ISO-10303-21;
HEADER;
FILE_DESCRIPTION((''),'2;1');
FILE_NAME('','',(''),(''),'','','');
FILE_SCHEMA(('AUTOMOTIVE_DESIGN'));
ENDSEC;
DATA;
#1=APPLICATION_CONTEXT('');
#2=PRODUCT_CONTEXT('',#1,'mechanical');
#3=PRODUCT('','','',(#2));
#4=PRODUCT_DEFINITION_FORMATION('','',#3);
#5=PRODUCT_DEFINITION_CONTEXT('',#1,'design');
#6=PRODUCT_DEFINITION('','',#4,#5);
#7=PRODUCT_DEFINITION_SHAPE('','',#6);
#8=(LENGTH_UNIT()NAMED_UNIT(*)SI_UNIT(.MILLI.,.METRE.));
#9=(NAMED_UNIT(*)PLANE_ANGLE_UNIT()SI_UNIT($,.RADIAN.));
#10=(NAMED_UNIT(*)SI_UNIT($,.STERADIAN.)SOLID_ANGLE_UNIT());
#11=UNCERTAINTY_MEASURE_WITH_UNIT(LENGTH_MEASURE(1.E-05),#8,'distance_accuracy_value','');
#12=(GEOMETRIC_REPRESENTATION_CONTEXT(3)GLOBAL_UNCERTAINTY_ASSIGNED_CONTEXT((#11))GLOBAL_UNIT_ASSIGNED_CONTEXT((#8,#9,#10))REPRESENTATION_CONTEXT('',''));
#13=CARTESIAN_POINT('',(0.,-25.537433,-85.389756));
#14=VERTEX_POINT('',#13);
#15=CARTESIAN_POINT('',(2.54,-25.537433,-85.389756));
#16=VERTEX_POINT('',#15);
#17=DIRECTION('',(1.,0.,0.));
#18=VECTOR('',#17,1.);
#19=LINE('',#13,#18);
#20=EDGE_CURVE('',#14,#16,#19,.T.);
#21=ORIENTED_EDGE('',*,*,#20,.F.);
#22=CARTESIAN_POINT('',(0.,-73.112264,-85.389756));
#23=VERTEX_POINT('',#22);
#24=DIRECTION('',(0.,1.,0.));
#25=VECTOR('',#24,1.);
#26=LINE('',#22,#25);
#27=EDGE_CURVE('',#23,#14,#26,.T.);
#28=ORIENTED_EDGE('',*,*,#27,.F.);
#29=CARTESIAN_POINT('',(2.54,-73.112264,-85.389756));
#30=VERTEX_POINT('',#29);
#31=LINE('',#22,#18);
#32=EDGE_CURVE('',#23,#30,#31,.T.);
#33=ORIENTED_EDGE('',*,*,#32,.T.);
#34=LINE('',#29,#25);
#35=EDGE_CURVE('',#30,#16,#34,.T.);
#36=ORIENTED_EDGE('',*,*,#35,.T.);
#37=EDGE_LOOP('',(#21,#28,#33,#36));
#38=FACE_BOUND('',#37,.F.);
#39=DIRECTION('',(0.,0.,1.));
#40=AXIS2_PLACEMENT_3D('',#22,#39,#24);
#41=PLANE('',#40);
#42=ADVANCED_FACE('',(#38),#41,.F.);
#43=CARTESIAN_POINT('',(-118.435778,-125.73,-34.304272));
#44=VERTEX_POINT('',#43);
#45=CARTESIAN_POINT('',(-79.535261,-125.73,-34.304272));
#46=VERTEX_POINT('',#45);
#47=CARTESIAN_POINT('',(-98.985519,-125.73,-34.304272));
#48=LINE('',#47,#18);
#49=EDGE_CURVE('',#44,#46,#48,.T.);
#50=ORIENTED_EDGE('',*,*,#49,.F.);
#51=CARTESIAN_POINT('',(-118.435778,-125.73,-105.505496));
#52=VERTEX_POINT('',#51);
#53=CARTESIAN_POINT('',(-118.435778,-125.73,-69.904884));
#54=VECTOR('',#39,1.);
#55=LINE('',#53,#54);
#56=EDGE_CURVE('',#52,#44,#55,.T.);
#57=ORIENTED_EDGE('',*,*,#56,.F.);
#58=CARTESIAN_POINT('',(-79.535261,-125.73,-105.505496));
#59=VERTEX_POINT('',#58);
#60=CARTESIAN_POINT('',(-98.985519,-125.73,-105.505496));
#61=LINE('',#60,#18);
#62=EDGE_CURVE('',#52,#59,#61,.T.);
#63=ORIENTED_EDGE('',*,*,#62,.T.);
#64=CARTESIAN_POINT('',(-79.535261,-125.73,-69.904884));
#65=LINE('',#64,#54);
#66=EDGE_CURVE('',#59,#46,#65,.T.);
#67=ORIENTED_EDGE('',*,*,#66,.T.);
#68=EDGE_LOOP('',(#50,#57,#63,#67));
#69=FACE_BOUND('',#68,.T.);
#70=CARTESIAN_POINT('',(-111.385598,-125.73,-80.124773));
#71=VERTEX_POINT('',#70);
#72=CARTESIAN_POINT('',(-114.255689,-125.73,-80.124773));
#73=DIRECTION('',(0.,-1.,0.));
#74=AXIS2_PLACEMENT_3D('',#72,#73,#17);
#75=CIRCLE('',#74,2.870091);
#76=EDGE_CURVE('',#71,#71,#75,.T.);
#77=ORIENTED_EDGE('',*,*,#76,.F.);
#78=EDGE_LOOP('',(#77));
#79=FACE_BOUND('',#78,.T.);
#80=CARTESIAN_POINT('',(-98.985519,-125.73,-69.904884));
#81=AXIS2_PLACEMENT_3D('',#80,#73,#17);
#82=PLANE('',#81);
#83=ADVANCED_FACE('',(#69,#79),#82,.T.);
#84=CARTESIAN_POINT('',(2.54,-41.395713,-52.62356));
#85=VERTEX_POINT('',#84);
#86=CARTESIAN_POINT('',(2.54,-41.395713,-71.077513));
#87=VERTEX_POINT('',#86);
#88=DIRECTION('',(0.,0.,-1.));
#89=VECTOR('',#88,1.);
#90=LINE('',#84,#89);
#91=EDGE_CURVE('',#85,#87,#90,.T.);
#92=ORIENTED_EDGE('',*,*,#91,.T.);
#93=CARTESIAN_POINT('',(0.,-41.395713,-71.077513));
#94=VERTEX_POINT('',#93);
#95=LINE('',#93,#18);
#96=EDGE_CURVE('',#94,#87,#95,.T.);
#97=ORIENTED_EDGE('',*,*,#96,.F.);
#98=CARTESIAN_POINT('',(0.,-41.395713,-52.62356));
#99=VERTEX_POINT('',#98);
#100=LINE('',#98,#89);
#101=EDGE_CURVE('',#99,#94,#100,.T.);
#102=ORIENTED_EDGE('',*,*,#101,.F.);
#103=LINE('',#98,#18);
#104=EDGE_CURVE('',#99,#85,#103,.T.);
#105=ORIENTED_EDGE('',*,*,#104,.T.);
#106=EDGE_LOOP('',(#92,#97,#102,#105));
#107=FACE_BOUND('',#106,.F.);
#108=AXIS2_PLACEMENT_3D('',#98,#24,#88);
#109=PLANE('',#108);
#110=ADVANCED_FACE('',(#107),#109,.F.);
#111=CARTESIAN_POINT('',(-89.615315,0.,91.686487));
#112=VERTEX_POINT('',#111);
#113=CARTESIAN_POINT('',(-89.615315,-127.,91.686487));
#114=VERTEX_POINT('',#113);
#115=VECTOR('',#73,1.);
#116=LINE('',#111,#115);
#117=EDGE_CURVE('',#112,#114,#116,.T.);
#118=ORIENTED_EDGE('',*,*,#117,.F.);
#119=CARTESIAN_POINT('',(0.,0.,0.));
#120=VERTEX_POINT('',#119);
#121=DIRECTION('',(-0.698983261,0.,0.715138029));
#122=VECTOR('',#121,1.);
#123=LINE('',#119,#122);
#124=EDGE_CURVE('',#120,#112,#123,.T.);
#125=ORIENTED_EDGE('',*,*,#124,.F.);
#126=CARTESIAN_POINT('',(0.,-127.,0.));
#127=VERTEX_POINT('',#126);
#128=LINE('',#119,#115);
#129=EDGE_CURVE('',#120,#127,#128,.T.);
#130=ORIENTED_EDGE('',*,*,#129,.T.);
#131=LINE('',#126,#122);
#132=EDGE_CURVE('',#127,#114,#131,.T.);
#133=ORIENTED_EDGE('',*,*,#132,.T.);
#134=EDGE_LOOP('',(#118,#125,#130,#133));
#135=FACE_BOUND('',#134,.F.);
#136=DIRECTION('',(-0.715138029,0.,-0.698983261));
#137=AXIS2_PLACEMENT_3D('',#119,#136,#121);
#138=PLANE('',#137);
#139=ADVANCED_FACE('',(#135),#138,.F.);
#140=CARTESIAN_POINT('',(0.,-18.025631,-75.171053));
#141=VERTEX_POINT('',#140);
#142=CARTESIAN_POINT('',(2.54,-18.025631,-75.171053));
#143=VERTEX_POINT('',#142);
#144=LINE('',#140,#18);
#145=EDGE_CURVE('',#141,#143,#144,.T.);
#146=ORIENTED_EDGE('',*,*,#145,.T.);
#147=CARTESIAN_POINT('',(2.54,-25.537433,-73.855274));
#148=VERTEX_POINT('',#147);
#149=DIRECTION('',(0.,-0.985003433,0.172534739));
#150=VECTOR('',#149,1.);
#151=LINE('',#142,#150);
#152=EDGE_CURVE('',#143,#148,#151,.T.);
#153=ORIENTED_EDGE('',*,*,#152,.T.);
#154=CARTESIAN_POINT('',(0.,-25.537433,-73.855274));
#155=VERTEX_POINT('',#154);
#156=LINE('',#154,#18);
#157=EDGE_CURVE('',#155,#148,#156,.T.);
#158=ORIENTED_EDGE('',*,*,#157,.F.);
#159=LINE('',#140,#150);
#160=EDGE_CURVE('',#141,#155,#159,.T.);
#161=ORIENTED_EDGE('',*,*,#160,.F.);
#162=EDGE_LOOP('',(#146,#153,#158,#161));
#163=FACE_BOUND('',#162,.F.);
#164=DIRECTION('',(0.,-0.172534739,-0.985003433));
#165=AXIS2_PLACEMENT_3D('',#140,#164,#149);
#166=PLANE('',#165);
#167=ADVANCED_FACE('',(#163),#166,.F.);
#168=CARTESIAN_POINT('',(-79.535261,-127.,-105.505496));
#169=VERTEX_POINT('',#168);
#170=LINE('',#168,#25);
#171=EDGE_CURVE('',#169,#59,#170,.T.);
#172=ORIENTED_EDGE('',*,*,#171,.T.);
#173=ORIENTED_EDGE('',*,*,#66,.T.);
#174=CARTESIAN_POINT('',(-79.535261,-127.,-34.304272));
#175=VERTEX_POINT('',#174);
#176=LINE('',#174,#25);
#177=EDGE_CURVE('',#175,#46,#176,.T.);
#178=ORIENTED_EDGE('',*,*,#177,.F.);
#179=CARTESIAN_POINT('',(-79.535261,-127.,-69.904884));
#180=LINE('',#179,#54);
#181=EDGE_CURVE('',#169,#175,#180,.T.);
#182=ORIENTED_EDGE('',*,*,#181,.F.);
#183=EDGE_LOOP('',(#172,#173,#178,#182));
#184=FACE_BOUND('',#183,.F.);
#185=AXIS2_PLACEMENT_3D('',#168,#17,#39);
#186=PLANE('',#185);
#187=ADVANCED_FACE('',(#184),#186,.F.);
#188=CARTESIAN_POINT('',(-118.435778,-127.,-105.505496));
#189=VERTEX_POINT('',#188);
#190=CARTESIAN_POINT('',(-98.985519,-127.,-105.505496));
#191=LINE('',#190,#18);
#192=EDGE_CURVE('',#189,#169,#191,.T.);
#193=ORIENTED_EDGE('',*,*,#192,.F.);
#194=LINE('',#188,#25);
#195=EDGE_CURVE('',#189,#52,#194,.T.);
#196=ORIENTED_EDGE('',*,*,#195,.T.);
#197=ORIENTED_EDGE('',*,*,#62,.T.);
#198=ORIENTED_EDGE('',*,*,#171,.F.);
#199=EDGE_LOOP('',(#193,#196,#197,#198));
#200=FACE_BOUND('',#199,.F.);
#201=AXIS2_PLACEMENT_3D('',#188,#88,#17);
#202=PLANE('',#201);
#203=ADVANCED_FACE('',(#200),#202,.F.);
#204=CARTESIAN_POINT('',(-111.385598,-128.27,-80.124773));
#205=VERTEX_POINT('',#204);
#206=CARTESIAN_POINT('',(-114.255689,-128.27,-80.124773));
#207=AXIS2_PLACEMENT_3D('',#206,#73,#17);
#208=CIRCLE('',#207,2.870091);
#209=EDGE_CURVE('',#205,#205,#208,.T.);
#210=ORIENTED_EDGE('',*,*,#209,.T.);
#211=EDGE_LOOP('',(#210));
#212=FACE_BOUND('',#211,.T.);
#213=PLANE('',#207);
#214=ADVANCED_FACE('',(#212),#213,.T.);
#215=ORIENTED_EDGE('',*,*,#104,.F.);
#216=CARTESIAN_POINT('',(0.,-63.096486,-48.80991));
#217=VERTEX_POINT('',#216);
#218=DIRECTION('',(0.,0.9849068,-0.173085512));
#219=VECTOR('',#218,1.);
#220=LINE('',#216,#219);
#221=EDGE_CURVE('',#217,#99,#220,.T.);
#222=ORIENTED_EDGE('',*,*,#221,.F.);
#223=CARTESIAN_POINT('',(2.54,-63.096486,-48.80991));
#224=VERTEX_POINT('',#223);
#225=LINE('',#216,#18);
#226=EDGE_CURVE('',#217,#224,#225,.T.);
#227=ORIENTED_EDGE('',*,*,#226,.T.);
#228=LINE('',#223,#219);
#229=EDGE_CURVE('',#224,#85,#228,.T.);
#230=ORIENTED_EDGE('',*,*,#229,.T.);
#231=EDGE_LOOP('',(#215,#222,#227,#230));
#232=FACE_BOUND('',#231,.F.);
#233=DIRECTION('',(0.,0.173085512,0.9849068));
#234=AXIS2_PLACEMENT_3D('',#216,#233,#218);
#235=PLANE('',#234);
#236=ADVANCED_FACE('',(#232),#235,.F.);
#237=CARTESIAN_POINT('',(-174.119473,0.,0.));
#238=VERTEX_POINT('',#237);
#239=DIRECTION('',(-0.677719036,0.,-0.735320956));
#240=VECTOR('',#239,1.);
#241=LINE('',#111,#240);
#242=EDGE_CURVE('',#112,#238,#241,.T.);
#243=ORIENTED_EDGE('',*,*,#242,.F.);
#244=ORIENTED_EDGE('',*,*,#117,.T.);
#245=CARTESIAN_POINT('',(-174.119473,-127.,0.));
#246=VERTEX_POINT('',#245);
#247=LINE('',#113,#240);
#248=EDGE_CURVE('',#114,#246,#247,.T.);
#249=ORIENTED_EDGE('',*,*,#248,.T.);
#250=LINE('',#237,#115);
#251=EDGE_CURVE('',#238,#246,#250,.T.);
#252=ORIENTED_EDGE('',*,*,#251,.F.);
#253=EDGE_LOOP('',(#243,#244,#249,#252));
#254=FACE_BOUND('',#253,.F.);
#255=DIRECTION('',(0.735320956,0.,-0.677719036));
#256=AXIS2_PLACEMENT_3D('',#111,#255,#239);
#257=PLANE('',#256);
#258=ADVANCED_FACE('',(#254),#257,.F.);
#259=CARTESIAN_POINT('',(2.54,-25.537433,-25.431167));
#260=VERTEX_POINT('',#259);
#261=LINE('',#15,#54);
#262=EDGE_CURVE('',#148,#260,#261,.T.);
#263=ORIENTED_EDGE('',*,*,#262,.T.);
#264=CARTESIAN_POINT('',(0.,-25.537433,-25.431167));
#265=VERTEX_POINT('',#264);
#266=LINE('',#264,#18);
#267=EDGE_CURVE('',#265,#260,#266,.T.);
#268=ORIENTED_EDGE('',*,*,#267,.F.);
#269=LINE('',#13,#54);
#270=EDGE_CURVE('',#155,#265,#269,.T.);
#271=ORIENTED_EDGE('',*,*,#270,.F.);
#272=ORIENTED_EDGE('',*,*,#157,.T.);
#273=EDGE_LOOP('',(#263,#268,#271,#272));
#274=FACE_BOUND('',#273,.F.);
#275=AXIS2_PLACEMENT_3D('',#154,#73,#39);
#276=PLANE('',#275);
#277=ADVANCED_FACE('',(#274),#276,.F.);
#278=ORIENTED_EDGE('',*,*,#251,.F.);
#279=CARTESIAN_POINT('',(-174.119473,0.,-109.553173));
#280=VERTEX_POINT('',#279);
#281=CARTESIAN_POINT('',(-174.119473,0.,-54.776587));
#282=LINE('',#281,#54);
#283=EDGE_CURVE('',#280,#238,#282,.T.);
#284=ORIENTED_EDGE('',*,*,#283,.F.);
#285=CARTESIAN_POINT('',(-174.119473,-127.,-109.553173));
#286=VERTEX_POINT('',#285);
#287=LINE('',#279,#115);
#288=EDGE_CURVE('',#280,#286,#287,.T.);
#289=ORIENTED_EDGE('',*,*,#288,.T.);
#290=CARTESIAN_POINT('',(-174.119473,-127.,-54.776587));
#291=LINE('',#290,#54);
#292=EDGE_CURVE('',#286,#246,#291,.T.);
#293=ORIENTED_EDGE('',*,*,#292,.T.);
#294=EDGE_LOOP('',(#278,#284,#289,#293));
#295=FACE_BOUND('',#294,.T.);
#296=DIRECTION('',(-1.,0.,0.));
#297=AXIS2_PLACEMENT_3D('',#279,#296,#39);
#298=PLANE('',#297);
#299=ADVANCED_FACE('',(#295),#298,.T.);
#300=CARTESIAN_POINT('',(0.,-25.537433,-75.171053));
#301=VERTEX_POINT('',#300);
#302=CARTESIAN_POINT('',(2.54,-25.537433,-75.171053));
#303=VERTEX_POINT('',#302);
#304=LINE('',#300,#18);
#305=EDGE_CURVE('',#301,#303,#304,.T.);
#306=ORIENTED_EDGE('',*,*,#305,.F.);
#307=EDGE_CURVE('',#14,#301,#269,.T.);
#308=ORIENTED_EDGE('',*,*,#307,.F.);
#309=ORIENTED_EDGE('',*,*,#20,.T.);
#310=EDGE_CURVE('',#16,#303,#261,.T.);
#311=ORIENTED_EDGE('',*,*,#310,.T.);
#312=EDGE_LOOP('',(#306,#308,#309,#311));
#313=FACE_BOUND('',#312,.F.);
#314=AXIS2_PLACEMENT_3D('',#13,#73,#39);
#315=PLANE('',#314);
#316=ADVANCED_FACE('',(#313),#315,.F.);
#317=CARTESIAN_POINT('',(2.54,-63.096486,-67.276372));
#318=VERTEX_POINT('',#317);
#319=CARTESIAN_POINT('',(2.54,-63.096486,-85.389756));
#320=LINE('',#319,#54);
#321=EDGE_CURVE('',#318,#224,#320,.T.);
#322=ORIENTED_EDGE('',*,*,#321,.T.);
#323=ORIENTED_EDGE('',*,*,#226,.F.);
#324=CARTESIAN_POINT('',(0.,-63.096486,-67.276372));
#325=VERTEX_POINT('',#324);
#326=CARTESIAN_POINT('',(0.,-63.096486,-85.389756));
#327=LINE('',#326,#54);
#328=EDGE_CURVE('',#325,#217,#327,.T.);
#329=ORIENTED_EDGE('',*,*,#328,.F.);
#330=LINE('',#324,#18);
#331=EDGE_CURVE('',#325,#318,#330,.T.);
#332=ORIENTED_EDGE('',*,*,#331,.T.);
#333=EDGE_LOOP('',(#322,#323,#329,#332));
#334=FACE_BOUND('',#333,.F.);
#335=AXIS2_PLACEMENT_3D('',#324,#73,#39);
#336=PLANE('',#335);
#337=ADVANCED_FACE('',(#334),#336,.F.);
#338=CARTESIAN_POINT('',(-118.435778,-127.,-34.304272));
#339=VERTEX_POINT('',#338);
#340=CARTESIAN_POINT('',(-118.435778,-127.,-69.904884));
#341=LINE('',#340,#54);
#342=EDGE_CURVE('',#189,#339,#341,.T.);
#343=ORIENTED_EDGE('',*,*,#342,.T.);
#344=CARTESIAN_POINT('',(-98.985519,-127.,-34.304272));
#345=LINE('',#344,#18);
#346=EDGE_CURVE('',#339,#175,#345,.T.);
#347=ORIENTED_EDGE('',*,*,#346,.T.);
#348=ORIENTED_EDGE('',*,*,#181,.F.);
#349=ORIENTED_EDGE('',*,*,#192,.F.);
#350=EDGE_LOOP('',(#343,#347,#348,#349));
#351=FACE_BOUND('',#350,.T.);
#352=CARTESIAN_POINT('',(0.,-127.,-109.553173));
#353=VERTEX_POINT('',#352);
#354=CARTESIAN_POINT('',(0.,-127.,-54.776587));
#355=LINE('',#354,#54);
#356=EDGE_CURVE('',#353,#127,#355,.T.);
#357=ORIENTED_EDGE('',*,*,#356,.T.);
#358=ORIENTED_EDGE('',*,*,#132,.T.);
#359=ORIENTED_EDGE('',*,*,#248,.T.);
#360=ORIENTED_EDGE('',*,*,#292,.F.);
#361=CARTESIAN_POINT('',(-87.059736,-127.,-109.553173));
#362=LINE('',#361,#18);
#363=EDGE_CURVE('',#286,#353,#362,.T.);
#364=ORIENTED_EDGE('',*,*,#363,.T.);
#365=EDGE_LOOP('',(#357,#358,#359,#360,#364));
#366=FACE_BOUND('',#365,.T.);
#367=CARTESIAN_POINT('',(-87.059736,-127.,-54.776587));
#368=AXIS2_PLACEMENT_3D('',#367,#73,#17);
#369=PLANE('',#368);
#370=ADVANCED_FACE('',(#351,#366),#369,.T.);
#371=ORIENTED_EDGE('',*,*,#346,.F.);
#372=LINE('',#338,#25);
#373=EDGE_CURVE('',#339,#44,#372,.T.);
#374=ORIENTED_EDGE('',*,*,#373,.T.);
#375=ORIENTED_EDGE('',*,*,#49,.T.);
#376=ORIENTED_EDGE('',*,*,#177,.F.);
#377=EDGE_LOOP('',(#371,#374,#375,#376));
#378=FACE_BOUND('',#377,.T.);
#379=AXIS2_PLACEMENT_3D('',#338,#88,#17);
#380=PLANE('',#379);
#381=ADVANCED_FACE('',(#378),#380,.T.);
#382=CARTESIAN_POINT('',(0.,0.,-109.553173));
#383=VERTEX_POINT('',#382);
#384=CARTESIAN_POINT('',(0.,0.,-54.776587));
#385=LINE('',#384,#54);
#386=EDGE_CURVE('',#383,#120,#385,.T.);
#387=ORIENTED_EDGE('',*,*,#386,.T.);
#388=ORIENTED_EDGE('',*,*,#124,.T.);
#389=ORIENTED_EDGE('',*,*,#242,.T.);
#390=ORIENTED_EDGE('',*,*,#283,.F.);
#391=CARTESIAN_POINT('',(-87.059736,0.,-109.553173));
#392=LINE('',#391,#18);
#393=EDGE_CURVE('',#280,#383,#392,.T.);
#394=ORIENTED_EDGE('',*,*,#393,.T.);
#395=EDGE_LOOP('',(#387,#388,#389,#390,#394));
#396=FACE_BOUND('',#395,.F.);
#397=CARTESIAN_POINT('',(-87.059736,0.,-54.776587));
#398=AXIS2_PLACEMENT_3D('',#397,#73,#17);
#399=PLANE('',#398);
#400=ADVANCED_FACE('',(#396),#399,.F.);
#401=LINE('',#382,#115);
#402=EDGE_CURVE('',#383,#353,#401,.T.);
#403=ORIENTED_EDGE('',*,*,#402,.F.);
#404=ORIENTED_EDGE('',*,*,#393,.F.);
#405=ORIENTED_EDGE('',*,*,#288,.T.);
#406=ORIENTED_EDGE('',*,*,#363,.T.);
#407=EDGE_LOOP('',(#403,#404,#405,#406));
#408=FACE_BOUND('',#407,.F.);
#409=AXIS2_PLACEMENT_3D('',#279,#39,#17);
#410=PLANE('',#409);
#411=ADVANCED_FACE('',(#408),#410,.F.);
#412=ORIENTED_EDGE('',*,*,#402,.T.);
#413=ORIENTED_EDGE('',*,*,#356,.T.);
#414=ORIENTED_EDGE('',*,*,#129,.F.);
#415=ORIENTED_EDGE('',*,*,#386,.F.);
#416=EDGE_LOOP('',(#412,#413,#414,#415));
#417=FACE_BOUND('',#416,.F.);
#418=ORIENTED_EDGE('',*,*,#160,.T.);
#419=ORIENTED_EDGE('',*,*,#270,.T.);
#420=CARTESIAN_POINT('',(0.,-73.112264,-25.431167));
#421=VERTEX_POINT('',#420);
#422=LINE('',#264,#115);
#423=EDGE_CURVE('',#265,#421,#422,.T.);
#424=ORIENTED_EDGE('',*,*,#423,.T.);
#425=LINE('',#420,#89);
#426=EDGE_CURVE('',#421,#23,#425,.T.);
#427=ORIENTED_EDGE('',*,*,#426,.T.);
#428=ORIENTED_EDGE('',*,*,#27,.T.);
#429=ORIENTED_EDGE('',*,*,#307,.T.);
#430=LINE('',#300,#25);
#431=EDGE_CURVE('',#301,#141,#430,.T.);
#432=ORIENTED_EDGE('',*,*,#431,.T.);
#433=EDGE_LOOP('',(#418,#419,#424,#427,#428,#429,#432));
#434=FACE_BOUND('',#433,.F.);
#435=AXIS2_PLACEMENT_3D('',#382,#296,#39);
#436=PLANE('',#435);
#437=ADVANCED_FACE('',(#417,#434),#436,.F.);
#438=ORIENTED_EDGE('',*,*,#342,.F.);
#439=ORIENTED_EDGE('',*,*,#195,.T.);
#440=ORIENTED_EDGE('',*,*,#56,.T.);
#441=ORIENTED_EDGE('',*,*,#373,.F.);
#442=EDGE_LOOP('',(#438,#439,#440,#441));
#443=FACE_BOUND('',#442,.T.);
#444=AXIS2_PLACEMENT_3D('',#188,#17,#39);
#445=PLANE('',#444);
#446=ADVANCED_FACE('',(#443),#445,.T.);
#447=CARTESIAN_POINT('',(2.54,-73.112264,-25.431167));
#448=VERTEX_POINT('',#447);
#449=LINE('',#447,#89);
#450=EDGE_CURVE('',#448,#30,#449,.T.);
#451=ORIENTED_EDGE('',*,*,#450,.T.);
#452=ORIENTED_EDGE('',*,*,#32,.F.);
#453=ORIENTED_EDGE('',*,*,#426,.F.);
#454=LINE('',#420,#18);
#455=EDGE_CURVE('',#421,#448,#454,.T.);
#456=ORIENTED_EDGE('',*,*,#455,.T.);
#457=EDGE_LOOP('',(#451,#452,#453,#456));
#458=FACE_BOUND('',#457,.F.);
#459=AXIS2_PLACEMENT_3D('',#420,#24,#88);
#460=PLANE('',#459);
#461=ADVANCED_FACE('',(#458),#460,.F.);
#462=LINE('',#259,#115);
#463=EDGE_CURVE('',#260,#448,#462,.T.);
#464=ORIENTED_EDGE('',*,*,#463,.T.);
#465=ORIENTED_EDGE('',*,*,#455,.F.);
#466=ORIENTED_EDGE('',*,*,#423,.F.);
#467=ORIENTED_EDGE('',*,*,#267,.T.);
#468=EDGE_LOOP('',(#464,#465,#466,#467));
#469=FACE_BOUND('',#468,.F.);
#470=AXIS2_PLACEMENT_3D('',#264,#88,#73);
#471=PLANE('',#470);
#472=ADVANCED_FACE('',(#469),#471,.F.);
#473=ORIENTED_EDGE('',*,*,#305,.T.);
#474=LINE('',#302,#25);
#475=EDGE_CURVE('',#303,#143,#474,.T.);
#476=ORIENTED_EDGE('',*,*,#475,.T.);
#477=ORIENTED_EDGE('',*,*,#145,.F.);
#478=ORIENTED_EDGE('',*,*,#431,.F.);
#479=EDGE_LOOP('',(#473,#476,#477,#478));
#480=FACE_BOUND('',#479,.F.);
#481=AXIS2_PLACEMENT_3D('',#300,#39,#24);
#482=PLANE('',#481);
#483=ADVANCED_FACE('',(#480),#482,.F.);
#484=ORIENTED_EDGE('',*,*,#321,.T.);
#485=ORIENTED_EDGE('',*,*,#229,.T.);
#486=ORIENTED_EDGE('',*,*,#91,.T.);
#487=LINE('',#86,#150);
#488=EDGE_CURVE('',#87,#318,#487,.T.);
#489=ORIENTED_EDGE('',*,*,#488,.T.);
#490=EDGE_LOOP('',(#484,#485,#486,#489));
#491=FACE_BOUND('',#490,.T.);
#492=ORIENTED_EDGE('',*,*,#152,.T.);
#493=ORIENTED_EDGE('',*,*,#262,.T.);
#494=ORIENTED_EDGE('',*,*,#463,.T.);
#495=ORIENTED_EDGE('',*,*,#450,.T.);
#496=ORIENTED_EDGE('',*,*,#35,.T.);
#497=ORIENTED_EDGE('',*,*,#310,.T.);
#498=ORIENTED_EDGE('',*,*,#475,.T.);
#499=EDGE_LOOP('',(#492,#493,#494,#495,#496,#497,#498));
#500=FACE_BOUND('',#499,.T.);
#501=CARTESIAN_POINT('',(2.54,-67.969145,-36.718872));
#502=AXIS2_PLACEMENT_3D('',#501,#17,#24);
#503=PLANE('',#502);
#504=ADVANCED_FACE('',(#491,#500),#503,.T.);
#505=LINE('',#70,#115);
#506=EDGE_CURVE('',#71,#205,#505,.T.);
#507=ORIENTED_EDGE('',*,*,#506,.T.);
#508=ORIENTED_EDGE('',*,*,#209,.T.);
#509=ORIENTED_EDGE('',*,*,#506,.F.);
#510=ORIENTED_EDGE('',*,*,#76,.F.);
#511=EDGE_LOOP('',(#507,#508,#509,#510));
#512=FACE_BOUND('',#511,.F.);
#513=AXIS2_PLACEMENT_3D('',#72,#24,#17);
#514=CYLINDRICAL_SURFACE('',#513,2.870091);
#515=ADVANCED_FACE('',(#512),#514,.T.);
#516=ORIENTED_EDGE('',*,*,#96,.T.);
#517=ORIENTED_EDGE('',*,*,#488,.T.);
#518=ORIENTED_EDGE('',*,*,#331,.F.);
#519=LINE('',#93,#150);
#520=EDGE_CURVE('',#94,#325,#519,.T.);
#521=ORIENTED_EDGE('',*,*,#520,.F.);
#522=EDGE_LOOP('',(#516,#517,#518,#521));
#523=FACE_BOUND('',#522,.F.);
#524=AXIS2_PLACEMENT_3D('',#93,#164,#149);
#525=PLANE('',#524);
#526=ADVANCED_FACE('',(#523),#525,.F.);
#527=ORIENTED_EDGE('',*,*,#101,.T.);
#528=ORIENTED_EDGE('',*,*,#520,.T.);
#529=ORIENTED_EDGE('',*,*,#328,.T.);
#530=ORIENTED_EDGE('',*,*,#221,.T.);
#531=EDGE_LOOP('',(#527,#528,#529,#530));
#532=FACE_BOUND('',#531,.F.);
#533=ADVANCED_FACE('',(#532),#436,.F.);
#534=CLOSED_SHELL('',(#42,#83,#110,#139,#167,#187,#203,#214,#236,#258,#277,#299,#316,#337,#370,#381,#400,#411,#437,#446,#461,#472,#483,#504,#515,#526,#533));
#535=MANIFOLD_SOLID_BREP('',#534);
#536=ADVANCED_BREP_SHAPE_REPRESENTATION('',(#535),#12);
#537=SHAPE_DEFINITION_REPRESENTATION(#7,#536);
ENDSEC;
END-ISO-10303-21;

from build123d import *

# Parameters (mm, degrees)
F0_W     = 174.1194725037
F0_H     = 109.5531731844
F1_DEPTH = 127
F2_W     = 38.9005169272
F2_H     = 71.2012238801
F3_DEPTH = 1.27
F4_R     = 2.870090853
F5_DEPTH = 2.54
F7_DEPTH = 2.54


with BuildPart() as f1:
    # F0 (on Front) → F1 (new body)
    with BuildSketch(Plane.XZ):
        with Locations((-87.0597362518, -54.7765865922)):
            Rectangle(F0_W, F0_H)
        Polygon((-174.1194725037, 0), (0, 0), (-89.6153151989, 91.6864871979), align=None)
    extrude(amount=F1_DEPTH)

    # F2 (on face) → F3 (cut)
    with BuildSketch(Plane.XZ.offset(127)):
        with Locations((-98.9855192602, -69.9048843235)):
            Rectangle(F2_W, F2_H)
    extrude(amount=-F3_DEPTH, mode=Mode.SUBTRACT)

    # F4 (on face) → F5 (join)
    with BuildSketch(Plane.XZ.offset(125.73)):
        with Locations((-114.2556890845, -80.1247730851)):
            Circle(F4_R)
    extrude(amount=F5_DEPTH)

    # F6 (on face) → F7 (join)
    with BuildSketch(Plane.YZ):
        Polygon((-63.096486032, -25.4311673343), (-73.1122642756, -25.4311673343), (-73.1122642756, -47.0497577235), (-71.9686165237, -47.2507400464), (-63.096486032, -48.8099101597), align=None)
        Polygon((-41.3957126439, -25.4311673343), (-63.096486032, -25.4311673343), (-63.096486032, -48.8099101597), (-41.3957126439, -52.6235598049), align=None)
        Polygon((-71.9686165237, -47.2507400464), (-73.1122642756, -47.0497577235), (-73.1122642756, -65.521992743), (-63.096486032, -67.276372096), (-63.096486032, -48.8099101597), align=None)
        Polygon((-25.5374331027, -25.4311673343), (-41.3957126439, -25.4311673343), (-41.3957126439, -52.6235598049), (-25.5374331027, -55.4104615003), align=None)
        Polygon((-63.096486032, -67.276372096), (-73.1122642756, -65.521992743), (-73.1122642756, -85.3897556663), (-63.096486032, -85.3897556663), align=None)
        Polygon((-25.5374331027, -55.4104615003), (-41.3957126439, -52.6235598049), (-41.3957126439, -71.0775134402), (-25.5374331027, -73.8552744413), align=None)
        Polygon((-41.3957126439, -71.0775134402), (-63.096486032, -67.276372096), (-63.096486032, -85.3897556663), (-41.3957126439, -85.3897556663), align=None)
        Polygon((-25.5374331027, -73.8552744413), (-41.3957126439, -71.0775134402), (-41.3957126439, -85.3897556663), (-25.5374331027, -85.3897556663), (-25.5374331027, -75.1710534096), align=None)
        Polygon((-18.025631085, -75.1710534096), (-25.5374331027, -73.8552744413), (-25.5374331027, -75.1710534096), align=None)
    extrude(amount=F7_DEPTH)


solid = f1.part
